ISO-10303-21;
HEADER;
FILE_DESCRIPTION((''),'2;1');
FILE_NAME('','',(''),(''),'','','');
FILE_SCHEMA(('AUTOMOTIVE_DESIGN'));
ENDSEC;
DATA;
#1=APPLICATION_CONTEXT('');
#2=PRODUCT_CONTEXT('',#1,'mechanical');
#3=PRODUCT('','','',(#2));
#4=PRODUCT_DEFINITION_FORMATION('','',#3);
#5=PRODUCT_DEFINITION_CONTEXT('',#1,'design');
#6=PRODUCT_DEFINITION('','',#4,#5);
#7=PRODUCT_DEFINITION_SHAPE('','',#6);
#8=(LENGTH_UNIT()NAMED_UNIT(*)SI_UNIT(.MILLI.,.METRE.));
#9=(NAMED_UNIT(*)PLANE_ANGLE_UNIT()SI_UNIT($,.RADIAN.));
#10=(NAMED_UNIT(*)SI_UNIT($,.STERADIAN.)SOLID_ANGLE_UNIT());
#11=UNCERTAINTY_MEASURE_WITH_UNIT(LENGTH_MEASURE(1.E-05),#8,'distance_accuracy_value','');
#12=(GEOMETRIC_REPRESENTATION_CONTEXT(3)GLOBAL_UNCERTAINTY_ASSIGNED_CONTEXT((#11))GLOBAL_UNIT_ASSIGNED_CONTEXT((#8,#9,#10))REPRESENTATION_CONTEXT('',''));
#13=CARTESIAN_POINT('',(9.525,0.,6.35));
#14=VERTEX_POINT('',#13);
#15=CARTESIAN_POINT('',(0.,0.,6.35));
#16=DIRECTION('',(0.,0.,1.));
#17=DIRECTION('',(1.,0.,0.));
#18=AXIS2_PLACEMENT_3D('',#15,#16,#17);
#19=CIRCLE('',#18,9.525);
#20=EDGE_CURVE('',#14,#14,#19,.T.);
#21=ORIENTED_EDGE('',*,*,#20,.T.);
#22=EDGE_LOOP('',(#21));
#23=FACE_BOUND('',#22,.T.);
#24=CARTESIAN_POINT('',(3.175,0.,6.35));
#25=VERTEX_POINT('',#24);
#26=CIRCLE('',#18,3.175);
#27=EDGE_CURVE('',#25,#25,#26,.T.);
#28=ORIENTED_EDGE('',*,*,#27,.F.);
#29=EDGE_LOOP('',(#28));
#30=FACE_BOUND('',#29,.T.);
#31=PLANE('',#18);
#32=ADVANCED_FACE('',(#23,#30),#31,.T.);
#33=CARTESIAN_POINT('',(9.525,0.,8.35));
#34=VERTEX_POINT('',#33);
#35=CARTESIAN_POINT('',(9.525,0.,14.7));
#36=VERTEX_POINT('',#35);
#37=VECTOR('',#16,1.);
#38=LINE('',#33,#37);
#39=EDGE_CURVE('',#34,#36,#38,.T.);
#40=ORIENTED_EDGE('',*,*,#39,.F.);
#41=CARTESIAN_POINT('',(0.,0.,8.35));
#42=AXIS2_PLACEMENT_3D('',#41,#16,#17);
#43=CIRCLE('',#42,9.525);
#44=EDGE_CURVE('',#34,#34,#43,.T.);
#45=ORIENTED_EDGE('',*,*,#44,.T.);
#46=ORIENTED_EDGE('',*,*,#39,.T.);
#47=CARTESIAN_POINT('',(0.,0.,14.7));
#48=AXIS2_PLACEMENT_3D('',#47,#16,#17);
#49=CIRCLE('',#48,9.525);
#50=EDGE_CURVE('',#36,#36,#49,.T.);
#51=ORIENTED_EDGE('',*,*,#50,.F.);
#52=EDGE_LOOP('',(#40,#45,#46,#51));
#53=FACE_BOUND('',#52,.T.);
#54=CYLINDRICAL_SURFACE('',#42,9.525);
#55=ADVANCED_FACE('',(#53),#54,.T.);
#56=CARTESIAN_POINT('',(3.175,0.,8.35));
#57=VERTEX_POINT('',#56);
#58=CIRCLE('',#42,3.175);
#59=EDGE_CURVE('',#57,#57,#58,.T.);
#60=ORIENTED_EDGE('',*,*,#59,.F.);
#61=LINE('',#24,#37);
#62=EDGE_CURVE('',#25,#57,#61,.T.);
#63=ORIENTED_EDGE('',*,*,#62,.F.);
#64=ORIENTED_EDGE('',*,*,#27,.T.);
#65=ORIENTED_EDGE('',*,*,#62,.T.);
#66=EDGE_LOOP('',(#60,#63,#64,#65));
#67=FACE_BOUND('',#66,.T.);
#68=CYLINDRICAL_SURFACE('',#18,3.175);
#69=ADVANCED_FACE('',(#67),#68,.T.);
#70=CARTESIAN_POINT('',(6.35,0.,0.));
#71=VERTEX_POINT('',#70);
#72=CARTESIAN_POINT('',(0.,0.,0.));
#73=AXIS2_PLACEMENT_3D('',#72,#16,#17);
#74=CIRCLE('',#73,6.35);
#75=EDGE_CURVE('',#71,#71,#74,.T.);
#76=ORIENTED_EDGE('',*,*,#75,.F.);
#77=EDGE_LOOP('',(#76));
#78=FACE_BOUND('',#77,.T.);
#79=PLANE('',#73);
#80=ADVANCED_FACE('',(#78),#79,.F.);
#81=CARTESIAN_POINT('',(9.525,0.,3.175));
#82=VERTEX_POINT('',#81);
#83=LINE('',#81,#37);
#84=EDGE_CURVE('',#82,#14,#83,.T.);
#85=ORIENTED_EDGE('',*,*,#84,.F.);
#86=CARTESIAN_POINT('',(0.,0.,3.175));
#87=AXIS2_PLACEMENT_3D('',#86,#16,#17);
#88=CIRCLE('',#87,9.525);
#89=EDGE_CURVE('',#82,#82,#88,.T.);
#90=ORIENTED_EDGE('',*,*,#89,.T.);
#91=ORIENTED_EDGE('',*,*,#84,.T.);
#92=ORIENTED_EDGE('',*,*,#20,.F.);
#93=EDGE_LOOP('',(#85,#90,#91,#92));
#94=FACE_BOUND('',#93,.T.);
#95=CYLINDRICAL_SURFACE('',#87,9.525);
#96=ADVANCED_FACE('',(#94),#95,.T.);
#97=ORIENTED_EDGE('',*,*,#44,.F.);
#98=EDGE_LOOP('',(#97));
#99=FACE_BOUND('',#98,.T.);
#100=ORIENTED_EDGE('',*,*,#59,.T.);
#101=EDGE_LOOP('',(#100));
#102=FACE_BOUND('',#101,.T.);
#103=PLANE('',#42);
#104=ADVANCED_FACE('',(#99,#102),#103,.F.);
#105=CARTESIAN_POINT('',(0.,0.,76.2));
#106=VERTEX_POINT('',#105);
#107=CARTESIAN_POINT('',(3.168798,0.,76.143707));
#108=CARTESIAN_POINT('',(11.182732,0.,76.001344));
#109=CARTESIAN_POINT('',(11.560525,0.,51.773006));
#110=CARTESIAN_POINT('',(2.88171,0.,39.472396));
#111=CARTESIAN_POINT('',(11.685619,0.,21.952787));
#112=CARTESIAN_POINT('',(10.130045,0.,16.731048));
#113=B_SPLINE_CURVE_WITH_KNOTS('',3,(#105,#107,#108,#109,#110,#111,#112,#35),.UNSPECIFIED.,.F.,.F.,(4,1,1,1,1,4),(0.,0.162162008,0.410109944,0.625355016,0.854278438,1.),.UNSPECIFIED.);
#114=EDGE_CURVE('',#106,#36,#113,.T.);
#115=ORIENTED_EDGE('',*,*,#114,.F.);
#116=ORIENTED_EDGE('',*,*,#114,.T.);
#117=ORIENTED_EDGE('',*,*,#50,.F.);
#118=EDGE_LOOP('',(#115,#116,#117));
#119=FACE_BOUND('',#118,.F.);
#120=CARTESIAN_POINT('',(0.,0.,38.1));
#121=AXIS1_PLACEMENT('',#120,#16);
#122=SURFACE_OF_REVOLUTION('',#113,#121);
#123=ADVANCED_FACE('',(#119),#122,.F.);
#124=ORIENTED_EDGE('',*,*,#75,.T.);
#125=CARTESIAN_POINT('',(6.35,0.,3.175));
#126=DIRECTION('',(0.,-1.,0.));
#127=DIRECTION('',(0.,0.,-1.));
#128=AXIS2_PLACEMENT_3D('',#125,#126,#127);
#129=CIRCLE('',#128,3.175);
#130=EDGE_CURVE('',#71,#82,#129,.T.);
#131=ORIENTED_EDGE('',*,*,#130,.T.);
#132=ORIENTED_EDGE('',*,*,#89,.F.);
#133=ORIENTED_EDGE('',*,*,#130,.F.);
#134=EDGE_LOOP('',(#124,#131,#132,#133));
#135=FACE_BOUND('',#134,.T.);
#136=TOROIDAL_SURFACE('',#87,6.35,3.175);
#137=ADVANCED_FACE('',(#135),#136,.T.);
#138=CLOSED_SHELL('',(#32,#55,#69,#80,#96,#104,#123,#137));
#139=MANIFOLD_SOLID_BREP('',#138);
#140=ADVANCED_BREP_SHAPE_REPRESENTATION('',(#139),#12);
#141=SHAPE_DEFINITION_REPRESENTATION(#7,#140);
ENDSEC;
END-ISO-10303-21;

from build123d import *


with BuildPart() as f1:
    # F0 (on Front) → F1 (revolve)
    with BuildSketch(Plane.XZ):
        with BuildLine():
            Line((0, 76.2), (0, 0))
            Line((0, 0), (6.35, 0))
            ThreePointArc((6.35, 0), (8.5950640303, 0.9299359697), (9.525, 3.175))
            Line((9.525, 3.175), (9.525, 6.35))
            Line((9.525, 6.35), (3.175, 6.35))
            Line((3.175, 6.35), (3.175, 8.35))
            Line((3.175, 8.35), (9.525, 8.35))
            Line((9.525, 8.35), (9.525, 14.7))
            add(Edge.make_bspline(
                [(0, 76.2), (3.168798384, 76.1437072296), (11.1827318992, 76.0013439789), (11.5605251086, 51.7730056699), (2.8817099393, 39.4723955532), (11.6856190133, 21.9527870322), (10.1300446041, 16.7310482843), (9.525, 14.7)],
                knots=[0, 0, 0, 0, 0.1621620078, 0.4101099439, 0.6253550155, 0.854278438, 1, 1, 1, 1], degree=3))
        make_face()
    revolve(axis=Axis((0, 0, 38.1), (0, 0, 1)))


solid = f1.part
